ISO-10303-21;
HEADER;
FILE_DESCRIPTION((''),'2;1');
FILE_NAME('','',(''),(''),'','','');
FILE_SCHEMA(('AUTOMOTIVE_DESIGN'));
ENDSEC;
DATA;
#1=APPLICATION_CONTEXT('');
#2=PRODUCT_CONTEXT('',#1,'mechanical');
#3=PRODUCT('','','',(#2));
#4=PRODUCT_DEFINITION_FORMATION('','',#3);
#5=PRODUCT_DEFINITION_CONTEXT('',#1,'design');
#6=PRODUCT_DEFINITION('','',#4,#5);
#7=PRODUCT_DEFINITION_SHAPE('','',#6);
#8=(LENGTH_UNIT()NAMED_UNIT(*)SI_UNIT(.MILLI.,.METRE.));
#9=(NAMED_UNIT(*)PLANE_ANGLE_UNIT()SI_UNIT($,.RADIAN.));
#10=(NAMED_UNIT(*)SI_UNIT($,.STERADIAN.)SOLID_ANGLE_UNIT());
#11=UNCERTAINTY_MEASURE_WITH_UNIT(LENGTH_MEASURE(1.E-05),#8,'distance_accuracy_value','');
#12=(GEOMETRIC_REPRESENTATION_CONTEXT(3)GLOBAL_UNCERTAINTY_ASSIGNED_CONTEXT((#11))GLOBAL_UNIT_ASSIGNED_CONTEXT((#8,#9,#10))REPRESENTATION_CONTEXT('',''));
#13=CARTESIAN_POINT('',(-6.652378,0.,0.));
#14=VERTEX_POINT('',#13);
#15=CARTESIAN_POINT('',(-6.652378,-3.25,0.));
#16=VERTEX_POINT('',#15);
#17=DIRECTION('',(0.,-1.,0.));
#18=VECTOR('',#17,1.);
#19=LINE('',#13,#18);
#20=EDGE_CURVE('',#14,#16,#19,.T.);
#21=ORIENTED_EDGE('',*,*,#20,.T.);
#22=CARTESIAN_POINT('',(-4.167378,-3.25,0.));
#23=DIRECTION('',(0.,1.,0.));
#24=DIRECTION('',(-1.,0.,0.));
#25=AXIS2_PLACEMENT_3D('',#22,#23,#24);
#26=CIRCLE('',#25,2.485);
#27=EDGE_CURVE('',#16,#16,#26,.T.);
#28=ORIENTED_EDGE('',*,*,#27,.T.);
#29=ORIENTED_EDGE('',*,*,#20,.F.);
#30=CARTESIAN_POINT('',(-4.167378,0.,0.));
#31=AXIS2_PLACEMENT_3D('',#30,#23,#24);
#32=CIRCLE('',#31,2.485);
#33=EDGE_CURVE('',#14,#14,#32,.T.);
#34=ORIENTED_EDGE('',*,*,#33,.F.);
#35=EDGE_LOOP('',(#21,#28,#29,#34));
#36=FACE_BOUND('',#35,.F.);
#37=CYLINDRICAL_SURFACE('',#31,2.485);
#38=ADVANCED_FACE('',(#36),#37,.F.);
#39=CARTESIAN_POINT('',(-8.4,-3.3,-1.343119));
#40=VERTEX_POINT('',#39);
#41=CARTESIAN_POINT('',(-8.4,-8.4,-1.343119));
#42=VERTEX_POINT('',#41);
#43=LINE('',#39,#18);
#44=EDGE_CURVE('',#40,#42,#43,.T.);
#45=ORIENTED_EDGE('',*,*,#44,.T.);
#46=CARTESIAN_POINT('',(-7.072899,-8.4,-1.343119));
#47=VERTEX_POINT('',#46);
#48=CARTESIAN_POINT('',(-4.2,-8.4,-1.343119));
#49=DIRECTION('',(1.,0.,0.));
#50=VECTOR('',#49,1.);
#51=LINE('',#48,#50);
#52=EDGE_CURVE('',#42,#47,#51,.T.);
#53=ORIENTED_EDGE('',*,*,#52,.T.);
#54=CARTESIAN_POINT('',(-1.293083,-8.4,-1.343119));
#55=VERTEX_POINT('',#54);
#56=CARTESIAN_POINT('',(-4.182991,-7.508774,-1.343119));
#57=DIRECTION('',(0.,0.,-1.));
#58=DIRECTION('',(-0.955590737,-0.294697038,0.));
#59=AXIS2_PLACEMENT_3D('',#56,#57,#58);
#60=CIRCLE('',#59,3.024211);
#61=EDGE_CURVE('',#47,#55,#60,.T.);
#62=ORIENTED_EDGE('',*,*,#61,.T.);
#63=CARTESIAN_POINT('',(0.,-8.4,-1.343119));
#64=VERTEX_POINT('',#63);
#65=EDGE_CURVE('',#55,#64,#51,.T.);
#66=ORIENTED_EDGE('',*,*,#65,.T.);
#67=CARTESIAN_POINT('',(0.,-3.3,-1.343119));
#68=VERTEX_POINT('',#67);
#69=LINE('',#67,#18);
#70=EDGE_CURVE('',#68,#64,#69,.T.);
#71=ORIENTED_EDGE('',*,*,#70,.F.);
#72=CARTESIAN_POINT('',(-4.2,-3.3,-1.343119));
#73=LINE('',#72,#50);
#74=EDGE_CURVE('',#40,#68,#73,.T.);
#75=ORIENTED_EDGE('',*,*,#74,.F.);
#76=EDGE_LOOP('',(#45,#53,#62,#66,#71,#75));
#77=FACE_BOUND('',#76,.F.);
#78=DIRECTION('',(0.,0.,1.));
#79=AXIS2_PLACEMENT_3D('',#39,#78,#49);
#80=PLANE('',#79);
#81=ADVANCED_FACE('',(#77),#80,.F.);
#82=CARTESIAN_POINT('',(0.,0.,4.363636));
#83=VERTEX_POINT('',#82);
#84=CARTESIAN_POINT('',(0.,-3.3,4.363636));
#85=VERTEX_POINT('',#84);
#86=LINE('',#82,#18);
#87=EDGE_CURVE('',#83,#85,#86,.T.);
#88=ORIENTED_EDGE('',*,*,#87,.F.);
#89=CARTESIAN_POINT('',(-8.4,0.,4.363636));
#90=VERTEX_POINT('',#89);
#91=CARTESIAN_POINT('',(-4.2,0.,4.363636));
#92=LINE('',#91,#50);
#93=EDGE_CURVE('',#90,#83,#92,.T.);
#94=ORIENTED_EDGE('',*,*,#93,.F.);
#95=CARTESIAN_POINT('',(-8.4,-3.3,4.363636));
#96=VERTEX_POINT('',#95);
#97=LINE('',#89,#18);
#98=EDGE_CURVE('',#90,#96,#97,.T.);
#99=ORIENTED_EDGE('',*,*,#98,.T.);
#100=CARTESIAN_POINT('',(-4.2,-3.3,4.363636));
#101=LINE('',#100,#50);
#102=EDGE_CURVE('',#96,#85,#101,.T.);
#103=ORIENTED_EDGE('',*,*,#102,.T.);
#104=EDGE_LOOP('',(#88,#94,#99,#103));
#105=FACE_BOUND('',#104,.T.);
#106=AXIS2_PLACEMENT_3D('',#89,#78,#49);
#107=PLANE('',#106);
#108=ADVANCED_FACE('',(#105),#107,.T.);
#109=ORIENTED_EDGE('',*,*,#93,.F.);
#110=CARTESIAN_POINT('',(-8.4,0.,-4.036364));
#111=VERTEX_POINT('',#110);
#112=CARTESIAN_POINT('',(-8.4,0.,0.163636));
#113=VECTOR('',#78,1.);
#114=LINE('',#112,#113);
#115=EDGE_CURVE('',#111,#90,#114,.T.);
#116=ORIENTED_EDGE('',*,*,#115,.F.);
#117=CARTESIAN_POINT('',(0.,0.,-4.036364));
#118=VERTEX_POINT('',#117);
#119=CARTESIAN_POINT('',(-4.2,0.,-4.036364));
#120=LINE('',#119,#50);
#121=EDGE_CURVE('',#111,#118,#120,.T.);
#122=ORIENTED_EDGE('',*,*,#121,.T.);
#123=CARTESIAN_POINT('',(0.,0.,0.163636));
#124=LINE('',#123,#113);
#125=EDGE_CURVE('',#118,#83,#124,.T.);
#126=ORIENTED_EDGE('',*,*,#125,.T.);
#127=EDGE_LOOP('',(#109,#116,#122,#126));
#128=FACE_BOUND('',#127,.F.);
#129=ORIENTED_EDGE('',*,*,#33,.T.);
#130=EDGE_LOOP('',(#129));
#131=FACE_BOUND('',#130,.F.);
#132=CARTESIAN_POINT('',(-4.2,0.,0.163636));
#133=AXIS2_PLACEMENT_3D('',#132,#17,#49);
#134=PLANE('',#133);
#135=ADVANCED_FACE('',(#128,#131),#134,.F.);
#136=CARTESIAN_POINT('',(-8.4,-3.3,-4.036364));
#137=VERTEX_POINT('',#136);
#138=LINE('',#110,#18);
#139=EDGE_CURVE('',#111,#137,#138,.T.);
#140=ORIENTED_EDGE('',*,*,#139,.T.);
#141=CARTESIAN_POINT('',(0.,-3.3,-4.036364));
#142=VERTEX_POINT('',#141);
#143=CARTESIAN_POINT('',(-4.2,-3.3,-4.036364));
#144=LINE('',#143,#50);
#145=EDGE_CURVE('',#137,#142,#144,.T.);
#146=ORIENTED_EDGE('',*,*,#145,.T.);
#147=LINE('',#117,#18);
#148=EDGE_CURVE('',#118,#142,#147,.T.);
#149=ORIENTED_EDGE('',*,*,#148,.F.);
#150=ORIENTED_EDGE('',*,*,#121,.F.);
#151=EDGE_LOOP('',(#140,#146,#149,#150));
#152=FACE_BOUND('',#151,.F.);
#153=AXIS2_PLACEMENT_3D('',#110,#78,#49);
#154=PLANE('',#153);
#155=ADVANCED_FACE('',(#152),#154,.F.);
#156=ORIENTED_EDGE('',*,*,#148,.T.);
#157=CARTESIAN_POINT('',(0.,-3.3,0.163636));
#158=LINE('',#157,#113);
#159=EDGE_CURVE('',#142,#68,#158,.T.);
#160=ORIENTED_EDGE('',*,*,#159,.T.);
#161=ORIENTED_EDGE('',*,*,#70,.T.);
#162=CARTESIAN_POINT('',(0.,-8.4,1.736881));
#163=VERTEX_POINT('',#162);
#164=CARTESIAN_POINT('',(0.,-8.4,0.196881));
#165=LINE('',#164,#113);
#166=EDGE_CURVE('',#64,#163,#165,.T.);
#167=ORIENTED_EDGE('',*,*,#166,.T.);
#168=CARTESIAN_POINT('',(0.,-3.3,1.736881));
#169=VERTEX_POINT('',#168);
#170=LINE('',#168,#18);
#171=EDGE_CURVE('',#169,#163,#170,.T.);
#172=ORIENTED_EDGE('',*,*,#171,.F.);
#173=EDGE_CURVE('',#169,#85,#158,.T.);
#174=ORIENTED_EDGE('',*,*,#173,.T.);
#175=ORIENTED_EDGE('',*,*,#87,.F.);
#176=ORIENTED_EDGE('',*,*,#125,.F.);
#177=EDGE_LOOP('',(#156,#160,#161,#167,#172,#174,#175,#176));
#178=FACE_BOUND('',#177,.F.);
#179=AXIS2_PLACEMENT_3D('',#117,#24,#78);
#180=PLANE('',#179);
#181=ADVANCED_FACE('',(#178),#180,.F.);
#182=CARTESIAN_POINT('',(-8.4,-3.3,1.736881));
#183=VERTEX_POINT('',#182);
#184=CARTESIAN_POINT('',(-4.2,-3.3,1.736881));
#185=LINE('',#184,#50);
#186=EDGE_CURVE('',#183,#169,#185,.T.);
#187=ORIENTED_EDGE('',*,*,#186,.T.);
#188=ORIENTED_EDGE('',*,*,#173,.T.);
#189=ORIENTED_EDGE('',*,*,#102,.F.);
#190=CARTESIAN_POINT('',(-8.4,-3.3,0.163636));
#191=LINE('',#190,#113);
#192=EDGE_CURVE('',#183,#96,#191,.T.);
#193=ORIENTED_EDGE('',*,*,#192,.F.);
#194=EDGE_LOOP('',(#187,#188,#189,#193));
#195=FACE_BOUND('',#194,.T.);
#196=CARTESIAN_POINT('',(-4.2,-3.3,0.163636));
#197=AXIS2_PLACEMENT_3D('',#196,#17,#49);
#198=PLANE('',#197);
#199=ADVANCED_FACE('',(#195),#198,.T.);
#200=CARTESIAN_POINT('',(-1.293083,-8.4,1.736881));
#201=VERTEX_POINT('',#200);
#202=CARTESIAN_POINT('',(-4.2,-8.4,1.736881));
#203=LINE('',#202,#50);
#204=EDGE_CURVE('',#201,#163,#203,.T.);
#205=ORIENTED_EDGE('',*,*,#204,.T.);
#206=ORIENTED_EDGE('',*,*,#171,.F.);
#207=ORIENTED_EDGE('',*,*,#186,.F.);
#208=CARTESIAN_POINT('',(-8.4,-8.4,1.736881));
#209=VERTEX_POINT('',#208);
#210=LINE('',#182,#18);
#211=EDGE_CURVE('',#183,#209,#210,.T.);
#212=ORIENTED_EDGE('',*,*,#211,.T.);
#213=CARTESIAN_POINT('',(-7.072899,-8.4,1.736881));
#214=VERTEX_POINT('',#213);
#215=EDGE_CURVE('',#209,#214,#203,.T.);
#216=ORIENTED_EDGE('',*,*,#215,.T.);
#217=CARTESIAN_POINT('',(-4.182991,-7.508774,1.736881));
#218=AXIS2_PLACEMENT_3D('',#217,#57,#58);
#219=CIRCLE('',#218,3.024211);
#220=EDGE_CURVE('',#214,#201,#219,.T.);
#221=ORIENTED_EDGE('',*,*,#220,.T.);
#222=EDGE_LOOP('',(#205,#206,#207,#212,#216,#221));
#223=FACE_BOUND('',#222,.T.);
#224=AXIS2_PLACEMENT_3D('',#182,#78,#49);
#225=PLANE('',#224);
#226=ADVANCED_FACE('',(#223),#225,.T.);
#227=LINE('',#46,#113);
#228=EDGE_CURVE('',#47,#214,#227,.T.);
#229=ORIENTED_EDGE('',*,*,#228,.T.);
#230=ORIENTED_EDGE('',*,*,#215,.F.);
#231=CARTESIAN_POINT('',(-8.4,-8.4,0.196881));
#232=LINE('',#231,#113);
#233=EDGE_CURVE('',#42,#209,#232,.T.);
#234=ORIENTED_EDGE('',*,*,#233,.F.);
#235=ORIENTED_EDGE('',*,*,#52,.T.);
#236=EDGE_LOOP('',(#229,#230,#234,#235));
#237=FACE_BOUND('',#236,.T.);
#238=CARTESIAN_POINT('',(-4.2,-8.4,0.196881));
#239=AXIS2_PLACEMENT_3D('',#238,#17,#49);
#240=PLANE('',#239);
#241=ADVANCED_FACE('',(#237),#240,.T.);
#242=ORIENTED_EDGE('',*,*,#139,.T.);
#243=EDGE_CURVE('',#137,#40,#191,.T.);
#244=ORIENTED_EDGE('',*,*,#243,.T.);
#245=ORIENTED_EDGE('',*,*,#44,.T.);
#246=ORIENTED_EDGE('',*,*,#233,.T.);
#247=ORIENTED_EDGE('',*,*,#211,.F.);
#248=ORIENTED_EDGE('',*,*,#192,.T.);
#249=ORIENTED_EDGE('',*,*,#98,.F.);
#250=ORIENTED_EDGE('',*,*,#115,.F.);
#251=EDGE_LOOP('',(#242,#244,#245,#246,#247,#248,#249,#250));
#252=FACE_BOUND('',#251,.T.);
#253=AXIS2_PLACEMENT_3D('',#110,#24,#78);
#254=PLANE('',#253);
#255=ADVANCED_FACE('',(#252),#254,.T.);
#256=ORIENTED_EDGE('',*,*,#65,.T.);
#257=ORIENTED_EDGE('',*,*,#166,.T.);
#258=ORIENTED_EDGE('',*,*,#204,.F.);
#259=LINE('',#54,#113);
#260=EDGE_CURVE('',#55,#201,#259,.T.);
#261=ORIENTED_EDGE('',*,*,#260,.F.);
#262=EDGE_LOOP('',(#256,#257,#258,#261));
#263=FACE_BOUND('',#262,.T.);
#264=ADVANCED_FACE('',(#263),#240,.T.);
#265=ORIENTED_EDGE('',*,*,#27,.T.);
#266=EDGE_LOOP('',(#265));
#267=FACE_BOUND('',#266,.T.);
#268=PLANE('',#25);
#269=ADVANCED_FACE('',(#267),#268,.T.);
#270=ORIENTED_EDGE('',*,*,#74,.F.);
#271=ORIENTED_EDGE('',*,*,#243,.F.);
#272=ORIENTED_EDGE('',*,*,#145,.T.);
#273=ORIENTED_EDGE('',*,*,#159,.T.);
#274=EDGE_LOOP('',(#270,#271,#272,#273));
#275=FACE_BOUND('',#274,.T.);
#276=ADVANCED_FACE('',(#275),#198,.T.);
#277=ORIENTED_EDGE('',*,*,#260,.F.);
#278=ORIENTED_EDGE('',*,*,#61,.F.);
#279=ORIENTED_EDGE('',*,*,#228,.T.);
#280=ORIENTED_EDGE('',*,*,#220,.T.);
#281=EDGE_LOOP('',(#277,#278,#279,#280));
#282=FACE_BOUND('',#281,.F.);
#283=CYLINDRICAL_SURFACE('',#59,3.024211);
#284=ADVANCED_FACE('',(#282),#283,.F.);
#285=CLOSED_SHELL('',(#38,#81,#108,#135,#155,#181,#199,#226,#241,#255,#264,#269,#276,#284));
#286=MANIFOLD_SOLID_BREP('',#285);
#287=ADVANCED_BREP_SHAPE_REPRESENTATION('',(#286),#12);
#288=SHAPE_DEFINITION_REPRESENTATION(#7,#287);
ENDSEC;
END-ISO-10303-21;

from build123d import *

# Parameters (mm, degrees)
F0_W     = 8.4
F0_H     = 8.4
F1_DEPTH = 3.3
F2_W     = 8.4
F2_H     = 3.08
F3_DEPTH = 5.1
F5_DEPTH = 25
F6_R     = 2.485
F7_DEPTH = 3.25


with BuildPart() as f1:
    # F0 (on Front) → F1 (new body)
    with BuildSketch(Plane.XZ):
        with Locations((-4.2, 0.163636)):
            Rectangle(F0_W, F0_H)
    extrude(amount=F1_DEPTH)

    # F2 (on face) → F3 (join)
    with BuildSketch(Plane.XZ.offset(3.3)):
        with Locations((-4.2, 0.196881)):
            Rectangle(F2_W, F2_H)
    extrude(amount=F3_DEPTH)

    # F4 (on face) → F5 (cut)
    with BuildSketch(Plane(origin=(0, 0, -1.343119), x_dir=(1, 0, 0), z_dir=(0, 0, -1))):
        with BuildLine():
            Line((-1.293083, 8.4), (-7.072899, 8.4))
            ThreePointArc((-7.072899, 8.4), (-4.182991, 4.484563), (-1.293083, 8.4))
        make_face()
    extrude(amount=-F5_DEPTH, mode=Mode.SUBTRACT)

    # F6 (on face) → F7 (cut)
    with BuildSketch(Plane(origin=(0, 0, 0), x_dir=(-1, 0, 0), z_dir=(0, 1, 0))):
        with Locations((4.167378, 0)):
            Circle(F6_R)
    extrude(amount=-F7_DEPTH, mode=Mode.SUBTRACT)


solid = f1.part
